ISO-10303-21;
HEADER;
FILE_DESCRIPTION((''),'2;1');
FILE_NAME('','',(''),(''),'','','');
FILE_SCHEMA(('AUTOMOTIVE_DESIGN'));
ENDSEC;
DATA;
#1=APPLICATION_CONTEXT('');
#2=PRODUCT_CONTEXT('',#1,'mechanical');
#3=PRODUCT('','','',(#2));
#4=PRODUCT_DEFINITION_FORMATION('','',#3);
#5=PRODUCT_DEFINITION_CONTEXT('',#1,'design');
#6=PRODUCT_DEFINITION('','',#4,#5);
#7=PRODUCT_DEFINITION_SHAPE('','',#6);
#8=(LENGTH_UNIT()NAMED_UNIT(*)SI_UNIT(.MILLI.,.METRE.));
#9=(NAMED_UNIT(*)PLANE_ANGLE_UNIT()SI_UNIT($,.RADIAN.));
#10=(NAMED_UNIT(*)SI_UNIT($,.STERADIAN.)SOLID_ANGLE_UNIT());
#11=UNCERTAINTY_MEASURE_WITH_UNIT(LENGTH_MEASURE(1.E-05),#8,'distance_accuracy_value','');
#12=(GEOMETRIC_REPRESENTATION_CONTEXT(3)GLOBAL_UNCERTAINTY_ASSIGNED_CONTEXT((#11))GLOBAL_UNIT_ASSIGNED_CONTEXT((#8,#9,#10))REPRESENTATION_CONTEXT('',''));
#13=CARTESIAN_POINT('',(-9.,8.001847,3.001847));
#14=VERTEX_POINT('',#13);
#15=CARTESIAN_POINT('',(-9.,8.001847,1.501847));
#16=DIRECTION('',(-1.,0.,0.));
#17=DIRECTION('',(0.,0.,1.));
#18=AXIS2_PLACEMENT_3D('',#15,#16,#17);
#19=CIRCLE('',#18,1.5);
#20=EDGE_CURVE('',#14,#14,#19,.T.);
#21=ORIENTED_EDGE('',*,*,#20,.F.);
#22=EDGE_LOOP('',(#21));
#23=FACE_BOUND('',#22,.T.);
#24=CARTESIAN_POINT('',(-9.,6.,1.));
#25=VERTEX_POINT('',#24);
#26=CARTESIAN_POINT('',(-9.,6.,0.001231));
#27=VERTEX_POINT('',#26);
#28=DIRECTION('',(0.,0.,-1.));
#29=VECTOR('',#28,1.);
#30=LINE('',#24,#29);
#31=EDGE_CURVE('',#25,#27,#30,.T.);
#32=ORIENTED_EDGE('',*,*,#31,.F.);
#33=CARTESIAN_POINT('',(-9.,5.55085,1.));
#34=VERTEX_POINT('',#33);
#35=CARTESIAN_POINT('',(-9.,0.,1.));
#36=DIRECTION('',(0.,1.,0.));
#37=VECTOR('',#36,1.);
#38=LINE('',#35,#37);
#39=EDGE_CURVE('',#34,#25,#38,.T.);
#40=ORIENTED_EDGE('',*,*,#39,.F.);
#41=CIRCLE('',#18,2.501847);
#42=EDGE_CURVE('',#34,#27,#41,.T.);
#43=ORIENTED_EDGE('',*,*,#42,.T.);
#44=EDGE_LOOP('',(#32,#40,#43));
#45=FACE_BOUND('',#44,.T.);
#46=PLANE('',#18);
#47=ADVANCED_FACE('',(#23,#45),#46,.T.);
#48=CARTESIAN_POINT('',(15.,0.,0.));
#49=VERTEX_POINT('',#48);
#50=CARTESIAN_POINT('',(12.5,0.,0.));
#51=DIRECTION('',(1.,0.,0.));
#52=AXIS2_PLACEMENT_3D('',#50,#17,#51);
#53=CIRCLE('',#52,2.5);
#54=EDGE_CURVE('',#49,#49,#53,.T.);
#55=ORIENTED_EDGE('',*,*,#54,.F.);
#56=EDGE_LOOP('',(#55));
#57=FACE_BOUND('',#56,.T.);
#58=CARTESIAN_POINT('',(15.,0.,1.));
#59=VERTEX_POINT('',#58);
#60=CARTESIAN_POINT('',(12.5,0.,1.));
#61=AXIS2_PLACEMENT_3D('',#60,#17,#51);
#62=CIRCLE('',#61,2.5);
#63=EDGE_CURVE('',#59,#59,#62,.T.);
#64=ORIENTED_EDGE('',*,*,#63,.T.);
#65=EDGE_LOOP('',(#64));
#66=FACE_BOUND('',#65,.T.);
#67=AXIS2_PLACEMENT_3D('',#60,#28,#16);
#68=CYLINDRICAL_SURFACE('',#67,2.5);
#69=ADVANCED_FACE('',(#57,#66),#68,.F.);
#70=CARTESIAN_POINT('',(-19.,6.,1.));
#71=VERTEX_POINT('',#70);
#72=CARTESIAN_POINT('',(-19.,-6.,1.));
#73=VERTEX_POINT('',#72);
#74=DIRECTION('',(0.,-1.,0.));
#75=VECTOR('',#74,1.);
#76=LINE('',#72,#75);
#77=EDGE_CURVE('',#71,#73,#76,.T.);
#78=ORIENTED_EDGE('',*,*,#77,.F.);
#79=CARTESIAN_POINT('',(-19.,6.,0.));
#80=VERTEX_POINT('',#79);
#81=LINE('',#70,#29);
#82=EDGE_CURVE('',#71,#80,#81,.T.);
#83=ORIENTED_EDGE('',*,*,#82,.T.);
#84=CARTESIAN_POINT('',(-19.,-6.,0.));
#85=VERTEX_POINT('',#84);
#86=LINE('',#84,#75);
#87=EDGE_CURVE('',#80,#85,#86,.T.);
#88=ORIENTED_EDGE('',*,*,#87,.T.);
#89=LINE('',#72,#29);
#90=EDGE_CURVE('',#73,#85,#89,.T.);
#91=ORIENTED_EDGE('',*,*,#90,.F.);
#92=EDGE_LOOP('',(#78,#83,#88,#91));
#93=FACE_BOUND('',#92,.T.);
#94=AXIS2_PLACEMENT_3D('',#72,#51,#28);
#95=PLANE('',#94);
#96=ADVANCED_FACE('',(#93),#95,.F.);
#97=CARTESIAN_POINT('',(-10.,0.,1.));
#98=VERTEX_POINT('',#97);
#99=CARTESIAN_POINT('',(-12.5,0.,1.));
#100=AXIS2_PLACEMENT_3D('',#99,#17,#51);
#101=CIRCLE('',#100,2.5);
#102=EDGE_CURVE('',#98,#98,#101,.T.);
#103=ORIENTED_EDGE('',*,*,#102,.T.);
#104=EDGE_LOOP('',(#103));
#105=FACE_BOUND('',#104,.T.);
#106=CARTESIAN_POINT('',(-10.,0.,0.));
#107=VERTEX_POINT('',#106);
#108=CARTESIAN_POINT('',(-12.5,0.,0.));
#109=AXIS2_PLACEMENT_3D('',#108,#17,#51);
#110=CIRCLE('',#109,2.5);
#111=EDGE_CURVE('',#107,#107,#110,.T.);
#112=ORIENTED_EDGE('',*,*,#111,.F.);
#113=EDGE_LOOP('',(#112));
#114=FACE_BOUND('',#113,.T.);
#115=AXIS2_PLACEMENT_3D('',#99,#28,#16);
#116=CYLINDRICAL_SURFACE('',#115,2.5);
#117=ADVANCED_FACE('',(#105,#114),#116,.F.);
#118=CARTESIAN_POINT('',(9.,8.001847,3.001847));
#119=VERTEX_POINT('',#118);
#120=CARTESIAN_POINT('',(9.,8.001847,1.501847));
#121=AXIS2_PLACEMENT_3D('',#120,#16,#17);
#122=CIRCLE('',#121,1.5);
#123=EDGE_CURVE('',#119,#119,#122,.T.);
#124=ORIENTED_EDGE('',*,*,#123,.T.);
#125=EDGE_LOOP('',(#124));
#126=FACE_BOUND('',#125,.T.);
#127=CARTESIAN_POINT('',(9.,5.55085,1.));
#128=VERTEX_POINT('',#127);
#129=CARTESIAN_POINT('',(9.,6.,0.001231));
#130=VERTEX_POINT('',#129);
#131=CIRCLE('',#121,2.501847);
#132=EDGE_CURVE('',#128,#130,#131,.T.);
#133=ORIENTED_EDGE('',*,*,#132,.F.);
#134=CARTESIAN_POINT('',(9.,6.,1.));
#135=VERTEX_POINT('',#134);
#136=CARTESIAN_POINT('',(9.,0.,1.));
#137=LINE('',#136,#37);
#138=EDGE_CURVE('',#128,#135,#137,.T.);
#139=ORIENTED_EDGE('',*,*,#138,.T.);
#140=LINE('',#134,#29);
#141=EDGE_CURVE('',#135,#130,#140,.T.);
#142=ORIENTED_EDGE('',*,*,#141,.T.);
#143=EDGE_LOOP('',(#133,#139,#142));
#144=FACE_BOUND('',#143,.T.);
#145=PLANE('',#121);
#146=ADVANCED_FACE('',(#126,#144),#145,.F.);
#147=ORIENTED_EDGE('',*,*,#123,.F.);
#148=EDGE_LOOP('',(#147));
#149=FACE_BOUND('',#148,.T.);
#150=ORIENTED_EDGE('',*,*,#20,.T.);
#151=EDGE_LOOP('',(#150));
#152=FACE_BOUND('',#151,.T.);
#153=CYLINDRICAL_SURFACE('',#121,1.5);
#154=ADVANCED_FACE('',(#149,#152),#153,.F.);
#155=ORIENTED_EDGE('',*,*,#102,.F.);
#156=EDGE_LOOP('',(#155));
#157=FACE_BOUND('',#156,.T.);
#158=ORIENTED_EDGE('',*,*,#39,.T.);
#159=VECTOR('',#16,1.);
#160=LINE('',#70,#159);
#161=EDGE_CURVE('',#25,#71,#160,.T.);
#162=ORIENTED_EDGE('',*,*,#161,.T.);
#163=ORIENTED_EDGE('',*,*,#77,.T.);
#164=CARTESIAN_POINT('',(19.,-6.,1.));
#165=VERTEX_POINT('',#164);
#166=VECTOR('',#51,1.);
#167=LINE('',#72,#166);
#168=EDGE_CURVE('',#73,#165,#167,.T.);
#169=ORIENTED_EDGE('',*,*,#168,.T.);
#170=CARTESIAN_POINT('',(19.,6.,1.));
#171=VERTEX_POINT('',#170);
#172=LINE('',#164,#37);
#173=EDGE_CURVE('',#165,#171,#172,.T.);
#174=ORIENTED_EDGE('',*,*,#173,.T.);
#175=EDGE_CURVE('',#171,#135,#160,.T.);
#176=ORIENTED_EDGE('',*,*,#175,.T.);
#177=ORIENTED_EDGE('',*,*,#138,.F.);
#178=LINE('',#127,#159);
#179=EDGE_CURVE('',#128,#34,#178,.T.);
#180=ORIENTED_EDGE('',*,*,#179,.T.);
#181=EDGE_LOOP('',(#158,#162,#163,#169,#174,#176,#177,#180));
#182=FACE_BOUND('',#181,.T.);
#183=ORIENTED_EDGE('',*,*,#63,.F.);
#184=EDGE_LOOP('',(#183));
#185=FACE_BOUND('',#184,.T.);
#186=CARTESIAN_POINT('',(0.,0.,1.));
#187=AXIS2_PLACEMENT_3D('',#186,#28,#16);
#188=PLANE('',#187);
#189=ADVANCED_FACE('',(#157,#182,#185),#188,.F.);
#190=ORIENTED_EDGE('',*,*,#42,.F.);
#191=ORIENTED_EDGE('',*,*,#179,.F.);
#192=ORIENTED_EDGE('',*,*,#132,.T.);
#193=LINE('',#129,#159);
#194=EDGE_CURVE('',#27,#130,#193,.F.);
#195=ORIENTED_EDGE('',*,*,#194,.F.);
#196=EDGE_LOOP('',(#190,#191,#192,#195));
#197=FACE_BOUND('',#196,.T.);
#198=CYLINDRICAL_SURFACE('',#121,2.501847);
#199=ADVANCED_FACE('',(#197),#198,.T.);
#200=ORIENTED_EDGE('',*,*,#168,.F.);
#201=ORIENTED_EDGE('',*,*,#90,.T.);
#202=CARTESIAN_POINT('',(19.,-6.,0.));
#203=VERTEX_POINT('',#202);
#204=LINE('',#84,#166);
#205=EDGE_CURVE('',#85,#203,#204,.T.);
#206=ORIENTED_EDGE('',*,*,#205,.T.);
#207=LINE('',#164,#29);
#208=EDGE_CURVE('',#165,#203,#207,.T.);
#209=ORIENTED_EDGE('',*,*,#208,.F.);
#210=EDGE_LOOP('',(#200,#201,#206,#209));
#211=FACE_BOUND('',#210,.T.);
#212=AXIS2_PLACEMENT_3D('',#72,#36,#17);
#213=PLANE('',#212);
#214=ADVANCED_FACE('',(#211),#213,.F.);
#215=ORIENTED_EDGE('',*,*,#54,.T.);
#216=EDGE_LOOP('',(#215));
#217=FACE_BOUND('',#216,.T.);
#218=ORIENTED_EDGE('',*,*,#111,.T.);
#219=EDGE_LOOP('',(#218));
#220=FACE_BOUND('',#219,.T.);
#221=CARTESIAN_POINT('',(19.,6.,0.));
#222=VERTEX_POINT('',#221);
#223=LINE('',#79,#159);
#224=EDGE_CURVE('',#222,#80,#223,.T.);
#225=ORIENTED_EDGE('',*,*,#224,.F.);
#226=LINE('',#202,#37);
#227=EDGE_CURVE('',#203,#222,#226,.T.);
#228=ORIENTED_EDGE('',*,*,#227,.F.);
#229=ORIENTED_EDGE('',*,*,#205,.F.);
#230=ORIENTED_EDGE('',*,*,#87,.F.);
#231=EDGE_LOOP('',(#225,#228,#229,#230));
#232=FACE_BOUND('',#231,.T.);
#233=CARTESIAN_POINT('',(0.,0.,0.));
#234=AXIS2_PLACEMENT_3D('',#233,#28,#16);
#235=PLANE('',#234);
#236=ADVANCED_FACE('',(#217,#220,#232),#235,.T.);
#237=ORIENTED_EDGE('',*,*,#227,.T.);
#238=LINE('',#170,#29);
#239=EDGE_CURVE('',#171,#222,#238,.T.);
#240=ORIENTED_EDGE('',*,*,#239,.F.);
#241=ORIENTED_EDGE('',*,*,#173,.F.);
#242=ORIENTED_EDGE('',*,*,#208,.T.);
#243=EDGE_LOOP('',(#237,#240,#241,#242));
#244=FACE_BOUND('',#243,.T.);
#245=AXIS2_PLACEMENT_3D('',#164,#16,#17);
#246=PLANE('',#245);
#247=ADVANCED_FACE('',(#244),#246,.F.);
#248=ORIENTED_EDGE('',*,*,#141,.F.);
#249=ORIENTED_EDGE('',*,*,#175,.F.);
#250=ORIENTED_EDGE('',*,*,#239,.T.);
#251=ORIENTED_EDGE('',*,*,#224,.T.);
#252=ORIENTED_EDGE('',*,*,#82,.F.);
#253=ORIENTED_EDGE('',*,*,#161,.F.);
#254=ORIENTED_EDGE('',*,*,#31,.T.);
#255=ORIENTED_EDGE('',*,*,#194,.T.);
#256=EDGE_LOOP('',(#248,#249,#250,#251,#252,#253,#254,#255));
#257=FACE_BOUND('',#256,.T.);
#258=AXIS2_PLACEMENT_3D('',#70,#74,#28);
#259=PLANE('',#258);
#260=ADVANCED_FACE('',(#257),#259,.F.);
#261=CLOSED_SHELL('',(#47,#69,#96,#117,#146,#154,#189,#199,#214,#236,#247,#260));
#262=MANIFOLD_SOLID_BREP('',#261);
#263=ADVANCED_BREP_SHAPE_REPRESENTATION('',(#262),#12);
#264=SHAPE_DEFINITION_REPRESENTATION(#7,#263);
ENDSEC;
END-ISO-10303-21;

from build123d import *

# Parameters (mm, degrees)
SKETCH_1_W      = 38
SKETCH_1_H      = 12
SKETCH_1_R      = 2.5
EXTRUDE_1_DEPTH = 1
SKETCH_3_R      = 2.50184692
SKETCH_3_R_2    = 1.5
EXTRUDE_2_DEPTH = 18


with BuildPart() as part:
    # 草图1 → 凸台-拉伸1 (new body)
    with BuildSketch(Plane.XY):
        Rectangle(SKETCH_1_W, SKETCH_1_H)
        with Locations((12.5, 0)):
            Circle(SKETCH_1_R, mode=Mode.SUBTRACT)
        with Locations((-12.5, 0)):
            Circle(SKETCH_1_R, mode=Mode.SUBTRACT)
    extrude(amount=EXTRUDE_1_DEPTH)

    # 草图3 → 凸台-拉伸2 (add)
    with BuildSketch(Plane.ZY.offset(9)):
        with Locations((1.50184692, 8.00184692)):
            Circle(SKETCH_3_R)
        with Locations((1.50184692, 8.00184692)):
            Circle(SKETCH_3_R_2, mode=Mode.SUBTRACT)
    extrude(amount=-EXTRUDE_2_DEPTH)


solid = part.part
